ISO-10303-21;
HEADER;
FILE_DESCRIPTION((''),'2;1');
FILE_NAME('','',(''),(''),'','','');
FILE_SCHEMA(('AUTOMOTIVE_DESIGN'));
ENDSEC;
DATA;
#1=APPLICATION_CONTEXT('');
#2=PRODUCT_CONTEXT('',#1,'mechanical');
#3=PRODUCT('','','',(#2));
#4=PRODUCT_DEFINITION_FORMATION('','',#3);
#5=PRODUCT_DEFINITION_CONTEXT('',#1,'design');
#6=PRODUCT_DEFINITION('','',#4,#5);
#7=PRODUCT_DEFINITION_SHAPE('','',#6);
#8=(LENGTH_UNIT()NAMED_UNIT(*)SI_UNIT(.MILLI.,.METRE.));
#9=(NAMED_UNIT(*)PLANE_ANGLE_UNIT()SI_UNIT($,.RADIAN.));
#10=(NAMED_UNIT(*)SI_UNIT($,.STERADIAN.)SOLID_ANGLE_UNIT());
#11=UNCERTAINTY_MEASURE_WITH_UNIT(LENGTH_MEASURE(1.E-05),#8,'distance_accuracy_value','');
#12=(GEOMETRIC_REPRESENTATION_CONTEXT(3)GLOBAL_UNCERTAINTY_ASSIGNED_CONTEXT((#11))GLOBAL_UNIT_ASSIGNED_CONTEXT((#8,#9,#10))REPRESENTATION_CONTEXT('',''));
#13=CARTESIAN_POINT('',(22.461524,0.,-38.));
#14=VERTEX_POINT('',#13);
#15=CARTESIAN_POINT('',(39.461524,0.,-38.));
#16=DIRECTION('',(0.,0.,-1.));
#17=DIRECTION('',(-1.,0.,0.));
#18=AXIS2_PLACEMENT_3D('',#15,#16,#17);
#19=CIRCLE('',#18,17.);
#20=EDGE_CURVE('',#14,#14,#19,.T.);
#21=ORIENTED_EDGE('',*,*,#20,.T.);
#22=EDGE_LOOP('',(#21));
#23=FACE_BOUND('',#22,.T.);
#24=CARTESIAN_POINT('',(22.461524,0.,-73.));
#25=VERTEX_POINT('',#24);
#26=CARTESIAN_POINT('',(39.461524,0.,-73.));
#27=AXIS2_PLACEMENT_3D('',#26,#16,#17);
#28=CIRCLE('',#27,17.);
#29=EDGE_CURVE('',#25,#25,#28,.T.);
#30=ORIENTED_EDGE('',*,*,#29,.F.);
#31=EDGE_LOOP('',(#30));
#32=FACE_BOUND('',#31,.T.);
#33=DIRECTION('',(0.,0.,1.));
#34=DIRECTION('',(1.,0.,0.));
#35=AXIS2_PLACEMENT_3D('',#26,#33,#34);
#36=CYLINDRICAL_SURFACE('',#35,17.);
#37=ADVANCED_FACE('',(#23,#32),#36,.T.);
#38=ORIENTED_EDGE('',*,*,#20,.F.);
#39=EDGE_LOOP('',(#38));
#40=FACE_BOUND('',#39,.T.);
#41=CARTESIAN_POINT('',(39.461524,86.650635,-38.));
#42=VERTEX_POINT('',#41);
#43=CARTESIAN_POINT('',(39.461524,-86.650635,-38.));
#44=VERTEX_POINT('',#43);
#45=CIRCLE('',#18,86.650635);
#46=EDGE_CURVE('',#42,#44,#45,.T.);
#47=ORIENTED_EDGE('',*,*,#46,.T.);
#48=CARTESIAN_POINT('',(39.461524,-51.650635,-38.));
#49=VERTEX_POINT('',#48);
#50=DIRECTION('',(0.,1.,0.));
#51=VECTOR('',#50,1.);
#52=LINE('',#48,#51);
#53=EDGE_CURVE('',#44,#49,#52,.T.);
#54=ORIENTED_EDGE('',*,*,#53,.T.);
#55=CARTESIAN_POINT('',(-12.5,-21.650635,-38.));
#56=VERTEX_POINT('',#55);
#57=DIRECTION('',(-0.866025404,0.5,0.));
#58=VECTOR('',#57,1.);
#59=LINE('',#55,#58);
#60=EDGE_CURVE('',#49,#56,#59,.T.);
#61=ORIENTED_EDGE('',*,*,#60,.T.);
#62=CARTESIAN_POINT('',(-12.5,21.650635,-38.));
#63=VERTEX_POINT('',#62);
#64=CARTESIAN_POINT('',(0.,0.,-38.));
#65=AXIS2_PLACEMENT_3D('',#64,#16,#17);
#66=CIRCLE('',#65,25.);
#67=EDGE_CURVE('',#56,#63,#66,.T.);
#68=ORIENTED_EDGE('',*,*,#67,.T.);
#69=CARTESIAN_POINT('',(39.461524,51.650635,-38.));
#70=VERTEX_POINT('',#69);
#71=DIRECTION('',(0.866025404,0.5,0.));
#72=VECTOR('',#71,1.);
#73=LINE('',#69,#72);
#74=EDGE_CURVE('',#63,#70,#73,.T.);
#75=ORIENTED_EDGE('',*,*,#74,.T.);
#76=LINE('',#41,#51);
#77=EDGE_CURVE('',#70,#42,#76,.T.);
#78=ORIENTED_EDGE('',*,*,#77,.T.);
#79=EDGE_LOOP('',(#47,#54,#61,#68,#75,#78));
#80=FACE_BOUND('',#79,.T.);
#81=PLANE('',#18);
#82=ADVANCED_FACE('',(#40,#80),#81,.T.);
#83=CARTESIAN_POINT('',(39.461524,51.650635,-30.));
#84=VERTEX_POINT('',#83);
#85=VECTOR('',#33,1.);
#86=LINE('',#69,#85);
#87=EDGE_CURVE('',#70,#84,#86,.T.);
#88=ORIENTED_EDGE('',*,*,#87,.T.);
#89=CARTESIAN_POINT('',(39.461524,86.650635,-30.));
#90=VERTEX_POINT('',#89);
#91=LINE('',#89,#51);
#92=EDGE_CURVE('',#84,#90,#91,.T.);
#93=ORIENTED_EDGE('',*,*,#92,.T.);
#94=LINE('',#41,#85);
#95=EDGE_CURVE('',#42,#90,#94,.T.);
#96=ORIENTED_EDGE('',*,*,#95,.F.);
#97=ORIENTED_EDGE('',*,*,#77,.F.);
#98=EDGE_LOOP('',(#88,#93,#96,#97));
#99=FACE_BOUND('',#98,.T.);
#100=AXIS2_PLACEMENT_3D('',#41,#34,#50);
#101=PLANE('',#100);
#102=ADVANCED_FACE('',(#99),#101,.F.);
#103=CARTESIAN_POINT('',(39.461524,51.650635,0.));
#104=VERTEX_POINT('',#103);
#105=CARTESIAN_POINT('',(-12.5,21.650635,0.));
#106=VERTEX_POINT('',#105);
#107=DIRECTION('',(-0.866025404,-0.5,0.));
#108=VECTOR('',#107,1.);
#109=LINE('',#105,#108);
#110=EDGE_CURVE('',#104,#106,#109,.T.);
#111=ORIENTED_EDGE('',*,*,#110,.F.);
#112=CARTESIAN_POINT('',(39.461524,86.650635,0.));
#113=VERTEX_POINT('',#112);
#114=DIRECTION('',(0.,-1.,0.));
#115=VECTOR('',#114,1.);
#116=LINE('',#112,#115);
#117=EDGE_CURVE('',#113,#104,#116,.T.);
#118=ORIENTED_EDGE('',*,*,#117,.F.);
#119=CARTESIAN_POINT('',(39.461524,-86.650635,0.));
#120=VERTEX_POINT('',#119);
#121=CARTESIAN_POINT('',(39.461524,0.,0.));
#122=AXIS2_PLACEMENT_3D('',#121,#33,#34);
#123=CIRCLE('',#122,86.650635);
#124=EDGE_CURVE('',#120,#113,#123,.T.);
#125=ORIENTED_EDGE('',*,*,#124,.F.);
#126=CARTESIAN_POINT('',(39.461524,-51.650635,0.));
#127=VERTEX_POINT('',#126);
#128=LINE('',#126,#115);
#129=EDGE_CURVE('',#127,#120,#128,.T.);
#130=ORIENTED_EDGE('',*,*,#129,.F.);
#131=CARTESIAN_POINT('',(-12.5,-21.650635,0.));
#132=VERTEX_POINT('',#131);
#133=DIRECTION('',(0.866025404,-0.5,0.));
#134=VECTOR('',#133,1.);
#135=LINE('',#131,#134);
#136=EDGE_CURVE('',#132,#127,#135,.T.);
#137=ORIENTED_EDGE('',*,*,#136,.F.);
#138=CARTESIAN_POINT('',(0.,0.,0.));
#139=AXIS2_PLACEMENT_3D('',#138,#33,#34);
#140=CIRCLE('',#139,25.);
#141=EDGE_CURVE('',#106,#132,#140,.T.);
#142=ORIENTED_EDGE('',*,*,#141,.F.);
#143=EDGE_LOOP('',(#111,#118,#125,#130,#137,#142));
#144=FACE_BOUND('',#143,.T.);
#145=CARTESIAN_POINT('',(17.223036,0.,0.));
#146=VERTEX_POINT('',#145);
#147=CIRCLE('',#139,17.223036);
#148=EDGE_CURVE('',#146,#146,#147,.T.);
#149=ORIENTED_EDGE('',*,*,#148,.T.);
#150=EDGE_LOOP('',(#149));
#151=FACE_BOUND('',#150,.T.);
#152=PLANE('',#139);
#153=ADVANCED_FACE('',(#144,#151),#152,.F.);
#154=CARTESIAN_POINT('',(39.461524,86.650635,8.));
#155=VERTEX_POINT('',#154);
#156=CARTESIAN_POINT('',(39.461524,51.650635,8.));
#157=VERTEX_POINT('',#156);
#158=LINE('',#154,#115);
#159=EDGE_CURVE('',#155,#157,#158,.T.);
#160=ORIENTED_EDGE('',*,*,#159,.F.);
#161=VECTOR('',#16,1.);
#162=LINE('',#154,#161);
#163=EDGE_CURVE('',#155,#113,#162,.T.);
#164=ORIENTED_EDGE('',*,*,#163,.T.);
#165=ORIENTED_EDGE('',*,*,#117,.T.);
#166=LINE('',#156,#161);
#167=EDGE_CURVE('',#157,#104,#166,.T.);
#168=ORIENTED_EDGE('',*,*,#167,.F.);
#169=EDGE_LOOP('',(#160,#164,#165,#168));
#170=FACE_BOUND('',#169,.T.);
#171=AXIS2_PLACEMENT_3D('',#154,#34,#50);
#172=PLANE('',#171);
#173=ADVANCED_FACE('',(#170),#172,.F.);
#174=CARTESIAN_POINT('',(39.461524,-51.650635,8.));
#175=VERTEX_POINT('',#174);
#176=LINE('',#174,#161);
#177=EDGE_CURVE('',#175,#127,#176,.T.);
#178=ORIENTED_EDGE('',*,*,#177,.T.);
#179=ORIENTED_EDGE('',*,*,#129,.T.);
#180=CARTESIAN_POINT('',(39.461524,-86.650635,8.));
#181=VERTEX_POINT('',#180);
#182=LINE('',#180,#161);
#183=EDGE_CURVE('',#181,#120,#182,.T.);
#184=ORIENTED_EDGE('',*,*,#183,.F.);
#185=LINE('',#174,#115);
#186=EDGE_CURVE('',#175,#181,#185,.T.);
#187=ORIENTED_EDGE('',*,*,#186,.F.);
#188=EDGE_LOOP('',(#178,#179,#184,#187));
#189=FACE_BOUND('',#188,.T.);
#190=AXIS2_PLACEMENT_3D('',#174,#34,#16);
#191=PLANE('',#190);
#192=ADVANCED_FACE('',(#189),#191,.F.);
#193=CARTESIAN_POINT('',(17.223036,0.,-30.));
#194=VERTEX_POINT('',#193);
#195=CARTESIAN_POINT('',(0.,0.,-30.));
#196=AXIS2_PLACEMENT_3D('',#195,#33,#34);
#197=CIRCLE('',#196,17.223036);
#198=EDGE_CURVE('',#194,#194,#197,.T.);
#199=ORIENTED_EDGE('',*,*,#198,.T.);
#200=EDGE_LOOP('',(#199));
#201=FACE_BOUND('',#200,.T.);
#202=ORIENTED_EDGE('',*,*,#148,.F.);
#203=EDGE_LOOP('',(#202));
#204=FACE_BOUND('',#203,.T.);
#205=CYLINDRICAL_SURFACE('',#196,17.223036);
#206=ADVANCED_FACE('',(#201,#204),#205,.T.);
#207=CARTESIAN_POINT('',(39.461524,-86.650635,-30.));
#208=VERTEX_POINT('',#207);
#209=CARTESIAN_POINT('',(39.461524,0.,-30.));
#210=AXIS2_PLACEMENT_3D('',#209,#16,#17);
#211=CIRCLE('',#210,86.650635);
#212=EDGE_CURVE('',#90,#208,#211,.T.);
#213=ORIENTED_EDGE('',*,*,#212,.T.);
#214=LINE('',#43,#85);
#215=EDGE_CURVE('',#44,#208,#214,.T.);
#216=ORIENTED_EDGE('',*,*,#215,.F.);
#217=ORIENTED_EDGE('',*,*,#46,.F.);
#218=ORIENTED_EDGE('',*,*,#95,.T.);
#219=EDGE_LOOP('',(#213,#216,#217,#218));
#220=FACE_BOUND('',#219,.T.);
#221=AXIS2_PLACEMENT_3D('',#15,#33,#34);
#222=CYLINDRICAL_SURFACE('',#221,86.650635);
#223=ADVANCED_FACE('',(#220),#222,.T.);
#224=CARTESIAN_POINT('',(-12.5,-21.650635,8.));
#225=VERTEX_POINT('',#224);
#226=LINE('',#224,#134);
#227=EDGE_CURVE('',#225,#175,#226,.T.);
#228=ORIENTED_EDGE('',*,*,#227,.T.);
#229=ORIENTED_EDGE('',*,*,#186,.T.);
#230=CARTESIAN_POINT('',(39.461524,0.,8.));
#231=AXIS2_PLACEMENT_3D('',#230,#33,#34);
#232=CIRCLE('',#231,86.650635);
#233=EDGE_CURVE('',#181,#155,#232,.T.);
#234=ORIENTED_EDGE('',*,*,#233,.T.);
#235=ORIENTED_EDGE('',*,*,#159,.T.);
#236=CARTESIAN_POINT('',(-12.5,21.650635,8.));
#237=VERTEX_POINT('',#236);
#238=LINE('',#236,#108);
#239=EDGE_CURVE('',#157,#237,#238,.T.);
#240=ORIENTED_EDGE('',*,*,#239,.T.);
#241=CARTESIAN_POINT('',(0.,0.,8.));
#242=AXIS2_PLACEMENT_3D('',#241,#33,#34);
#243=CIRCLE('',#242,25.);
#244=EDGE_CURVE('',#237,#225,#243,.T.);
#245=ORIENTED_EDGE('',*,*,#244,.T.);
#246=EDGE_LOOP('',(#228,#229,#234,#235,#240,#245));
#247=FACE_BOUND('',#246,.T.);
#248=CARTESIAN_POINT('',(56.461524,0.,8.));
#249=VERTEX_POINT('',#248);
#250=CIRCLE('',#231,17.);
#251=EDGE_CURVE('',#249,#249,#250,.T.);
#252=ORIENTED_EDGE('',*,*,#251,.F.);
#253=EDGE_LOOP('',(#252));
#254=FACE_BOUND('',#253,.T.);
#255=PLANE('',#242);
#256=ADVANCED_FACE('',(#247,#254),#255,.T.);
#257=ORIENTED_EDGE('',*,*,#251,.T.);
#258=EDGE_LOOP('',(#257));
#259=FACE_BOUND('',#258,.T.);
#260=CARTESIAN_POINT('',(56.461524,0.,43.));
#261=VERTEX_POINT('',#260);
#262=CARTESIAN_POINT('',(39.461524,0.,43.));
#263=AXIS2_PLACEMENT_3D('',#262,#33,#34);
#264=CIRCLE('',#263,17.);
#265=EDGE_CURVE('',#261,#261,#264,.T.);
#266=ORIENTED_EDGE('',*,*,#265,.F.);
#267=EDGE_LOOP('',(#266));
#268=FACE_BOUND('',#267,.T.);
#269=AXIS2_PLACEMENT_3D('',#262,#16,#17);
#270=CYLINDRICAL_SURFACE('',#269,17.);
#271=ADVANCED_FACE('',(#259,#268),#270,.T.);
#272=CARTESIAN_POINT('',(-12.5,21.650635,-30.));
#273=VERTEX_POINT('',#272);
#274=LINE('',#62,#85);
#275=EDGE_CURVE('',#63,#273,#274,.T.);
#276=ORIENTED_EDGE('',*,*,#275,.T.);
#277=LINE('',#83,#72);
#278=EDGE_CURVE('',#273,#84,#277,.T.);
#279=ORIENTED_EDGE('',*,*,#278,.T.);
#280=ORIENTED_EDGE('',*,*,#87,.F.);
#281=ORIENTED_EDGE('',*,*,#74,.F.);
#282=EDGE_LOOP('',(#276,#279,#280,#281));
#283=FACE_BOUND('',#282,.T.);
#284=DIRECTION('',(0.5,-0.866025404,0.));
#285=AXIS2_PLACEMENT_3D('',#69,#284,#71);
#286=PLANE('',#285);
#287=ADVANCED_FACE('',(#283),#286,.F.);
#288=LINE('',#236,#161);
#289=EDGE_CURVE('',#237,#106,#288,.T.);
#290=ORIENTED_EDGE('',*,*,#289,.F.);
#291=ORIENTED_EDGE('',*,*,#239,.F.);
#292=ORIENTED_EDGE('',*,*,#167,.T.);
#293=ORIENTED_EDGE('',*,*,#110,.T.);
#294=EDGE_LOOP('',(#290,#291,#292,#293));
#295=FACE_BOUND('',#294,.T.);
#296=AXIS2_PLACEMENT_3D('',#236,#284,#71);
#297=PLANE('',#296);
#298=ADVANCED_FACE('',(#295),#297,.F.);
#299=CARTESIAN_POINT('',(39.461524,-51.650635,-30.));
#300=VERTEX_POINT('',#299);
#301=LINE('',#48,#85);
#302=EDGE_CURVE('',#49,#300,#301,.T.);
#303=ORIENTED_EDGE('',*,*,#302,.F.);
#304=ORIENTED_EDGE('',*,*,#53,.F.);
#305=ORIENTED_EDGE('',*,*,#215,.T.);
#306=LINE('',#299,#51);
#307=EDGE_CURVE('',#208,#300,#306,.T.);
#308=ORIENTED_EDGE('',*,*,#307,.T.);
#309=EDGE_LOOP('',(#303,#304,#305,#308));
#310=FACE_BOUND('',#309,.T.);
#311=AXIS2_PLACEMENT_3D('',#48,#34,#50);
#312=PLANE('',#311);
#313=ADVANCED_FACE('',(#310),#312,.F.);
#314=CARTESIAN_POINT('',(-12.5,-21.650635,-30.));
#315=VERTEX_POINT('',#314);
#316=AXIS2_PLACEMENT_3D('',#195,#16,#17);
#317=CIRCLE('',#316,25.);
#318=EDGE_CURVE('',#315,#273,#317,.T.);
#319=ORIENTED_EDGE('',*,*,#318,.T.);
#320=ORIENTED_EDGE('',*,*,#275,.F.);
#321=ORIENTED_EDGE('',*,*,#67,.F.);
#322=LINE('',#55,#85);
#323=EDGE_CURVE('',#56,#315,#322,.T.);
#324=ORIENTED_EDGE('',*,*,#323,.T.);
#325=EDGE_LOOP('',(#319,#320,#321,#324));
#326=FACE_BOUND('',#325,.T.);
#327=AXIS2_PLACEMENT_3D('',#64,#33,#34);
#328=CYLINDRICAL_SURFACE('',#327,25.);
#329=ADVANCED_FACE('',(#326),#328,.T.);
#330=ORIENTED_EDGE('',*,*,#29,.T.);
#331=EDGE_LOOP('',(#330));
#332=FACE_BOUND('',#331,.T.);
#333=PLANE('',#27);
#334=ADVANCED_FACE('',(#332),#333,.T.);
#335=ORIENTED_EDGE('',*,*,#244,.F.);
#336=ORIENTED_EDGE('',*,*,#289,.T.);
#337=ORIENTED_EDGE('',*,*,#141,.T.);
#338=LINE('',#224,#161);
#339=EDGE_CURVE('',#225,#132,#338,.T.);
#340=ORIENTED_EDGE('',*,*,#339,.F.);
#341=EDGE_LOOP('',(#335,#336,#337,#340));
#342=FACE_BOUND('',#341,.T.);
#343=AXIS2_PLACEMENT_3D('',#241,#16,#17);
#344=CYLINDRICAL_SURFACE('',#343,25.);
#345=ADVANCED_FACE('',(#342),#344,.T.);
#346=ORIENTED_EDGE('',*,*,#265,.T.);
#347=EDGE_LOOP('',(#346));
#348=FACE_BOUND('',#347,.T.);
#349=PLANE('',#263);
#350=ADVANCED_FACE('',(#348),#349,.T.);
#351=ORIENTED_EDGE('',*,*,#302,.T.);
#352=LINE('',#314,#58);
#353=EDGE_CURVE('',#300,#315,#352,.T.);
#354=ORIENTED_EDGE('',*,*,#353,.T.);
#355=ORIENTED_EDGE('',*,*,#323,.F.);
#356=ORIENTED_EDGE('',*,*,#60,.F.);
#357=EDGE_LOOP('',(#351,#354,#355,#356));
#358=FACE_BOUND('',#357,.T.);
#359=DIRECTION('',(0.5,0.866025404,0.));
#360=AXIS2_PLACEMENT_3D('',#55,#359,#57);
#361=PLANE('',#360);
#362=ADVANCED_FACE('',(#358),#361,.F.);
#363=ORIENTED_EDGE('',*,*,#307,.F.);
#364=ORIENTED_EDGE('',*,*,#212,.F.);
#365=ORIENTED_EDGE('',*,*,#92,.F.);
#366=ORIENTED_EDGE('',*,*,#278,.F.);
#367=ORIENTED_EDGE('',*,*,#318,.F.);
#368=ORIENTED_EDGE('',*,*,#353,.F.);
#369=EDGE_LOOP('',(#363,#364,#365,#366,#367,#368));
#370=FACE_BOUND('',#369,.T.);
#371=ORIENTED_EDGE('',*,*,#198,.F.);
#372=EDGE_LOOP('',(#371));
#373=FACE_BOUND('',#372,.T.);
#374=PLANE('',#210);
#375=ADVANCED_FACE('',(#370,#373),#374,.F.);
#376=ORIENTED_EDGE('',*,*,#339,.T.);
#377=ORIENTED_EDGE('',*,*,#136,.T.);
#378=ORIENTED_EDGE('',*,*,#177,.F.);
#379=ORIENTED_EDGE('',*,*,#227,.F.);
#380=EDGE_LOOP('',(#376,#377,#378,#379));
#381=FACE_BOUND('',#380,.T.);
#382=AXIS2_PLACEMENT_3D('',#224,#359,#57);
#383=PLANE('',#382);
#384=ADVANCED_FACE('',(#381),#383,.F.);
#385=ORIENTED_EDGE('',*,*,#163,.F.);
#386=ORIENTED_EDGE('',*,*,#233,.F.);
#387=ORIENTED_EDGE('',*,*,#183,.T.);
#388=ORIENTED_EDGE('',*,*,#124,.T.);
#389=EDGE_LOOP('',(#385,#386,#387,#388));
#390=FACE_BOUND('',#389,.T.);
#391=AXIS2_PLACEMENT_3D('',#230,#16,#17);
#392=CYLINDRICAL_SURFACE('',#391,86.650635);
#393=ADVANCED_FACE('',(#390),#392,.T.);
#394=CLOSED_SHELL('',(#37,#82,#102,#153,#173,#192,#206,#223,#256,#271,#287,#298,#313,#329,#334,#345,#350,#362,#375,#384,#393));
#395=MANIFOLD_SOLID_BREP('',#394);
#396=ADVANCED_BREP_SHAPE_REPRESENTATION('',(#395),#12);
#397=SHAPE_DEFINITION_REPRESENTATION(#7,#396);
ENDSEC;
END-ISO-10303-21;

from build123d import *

# Parameters (mm, degrees)
BOSS_EXTRUDE1_DEPTH = 8
BOSS_EXTRUDE4_START = 30
BOSS_EXTRUDE4_DEPTH = 8
SKETCH7_R           = 17.223036208
BOSS_EXTRUDE5_DEPTH = 38
SKETCH8_R           = 17
BOSS_EXTRUDE6_DEPTH = 35
BOSS_EXTRUDE7_START = 35
SKETCH9_R           = 17
BOSS_EXTRUDE7_DEPTH = 35


with BuildPart() as part:
    # Sketch1 → Boss-Extrude1 (new body)
    with BuildSketch(Plane.XY):
        with BuildLine():
            Line((-12.5, 21.650635095), (39.461524227, 51.650635095))
            Line((39.461524227, 51.650635095), (39.461524227, 86.650635095))
            ThreePointArc((39.461524227, 86.650635095), (126.112159322, 0), (39.461524227, -86.650635095))
            Line((39.461524227, -86.650635095), (39.461524227, -51.650635095))
            Line((39.461524227, -51.650635095), (-12.5, -21.650635095))
            ThreePointArc((-12.5, -21.650635095), (-25, 0), (-12.5, 21.650635095))
        make_face()
    extrude(amount=BOSS_EXTRUDE1_DEPTH)



with BuildPart() as body_2:
    # Sketch5 → Boss-Extrude4 (new body)
    with BuildSketch(Plane(origin=(0, 0, 0), x_dir=(-1, 0, 0), z_dir=(0, 0, -1)).offset(BOSS_EXTRUDE4_START)):
        with BuildLine():
            Line((-39.461524227, 86.650635095), (-39.461524227, 51.650635095))
            Line((-39.461524227, 51.650635095), (12.5, 21.650635095))
            ThreePointArc((12.5, 21.650635095), (25, 0), (12.5, -21.650635095))
            Line((12.5, -21.650635095), (-39.461524227, -51.650635095))
            Line((-39.461524227, -51.650635095), (-39.461524227, -86.650635095))
            ThreePointArc((-39.461524227, -86.650635095), (-126.112159322, 0), (-39.461524227, 86.650635095))
        make_face()
    extrude(amount=BOSS_EXTRUDE4_DEPTH)


with BuildPart() as part_1:
    add(part.part)

    add(body_2.part)  # Boss-Extrude5 merges body 2
    # Sketch7 → Boss-Extrude5 (add)
    with BuildSketch(Plane.XY.offset(8)):
        Circle(SKETCH7_R)
    extrude(amount=-BOSS_EXTRUDE5_DEPTH)

    # Sketch8 → Boss-Extrude6 (add)
    with BuildSketch(Plane.XY.offset(8)):
        with Locations((39.461524227, 0)):
            Circle(SKETCH8_R)
    extrude(amount=BOSS_EXTRUDE6_DEPTH)

    # Sketch9 → Boss-Extrude7 (add)
    with BuildSketch(Plane(origin=(0, 0, -38), x_dir=(-1, 0, 0), z_dir=(0, 0, -1)).offset(BOSS_EXTRUDE7_START)):
        with Locations(Location((-39.461524227, 0, 0), (0, 0, 180))):
            Circle(SKETCH9_R)
    extrude(amount=-BOSS_EXTRUDE7_DEPTH)


solid = part_1.part
